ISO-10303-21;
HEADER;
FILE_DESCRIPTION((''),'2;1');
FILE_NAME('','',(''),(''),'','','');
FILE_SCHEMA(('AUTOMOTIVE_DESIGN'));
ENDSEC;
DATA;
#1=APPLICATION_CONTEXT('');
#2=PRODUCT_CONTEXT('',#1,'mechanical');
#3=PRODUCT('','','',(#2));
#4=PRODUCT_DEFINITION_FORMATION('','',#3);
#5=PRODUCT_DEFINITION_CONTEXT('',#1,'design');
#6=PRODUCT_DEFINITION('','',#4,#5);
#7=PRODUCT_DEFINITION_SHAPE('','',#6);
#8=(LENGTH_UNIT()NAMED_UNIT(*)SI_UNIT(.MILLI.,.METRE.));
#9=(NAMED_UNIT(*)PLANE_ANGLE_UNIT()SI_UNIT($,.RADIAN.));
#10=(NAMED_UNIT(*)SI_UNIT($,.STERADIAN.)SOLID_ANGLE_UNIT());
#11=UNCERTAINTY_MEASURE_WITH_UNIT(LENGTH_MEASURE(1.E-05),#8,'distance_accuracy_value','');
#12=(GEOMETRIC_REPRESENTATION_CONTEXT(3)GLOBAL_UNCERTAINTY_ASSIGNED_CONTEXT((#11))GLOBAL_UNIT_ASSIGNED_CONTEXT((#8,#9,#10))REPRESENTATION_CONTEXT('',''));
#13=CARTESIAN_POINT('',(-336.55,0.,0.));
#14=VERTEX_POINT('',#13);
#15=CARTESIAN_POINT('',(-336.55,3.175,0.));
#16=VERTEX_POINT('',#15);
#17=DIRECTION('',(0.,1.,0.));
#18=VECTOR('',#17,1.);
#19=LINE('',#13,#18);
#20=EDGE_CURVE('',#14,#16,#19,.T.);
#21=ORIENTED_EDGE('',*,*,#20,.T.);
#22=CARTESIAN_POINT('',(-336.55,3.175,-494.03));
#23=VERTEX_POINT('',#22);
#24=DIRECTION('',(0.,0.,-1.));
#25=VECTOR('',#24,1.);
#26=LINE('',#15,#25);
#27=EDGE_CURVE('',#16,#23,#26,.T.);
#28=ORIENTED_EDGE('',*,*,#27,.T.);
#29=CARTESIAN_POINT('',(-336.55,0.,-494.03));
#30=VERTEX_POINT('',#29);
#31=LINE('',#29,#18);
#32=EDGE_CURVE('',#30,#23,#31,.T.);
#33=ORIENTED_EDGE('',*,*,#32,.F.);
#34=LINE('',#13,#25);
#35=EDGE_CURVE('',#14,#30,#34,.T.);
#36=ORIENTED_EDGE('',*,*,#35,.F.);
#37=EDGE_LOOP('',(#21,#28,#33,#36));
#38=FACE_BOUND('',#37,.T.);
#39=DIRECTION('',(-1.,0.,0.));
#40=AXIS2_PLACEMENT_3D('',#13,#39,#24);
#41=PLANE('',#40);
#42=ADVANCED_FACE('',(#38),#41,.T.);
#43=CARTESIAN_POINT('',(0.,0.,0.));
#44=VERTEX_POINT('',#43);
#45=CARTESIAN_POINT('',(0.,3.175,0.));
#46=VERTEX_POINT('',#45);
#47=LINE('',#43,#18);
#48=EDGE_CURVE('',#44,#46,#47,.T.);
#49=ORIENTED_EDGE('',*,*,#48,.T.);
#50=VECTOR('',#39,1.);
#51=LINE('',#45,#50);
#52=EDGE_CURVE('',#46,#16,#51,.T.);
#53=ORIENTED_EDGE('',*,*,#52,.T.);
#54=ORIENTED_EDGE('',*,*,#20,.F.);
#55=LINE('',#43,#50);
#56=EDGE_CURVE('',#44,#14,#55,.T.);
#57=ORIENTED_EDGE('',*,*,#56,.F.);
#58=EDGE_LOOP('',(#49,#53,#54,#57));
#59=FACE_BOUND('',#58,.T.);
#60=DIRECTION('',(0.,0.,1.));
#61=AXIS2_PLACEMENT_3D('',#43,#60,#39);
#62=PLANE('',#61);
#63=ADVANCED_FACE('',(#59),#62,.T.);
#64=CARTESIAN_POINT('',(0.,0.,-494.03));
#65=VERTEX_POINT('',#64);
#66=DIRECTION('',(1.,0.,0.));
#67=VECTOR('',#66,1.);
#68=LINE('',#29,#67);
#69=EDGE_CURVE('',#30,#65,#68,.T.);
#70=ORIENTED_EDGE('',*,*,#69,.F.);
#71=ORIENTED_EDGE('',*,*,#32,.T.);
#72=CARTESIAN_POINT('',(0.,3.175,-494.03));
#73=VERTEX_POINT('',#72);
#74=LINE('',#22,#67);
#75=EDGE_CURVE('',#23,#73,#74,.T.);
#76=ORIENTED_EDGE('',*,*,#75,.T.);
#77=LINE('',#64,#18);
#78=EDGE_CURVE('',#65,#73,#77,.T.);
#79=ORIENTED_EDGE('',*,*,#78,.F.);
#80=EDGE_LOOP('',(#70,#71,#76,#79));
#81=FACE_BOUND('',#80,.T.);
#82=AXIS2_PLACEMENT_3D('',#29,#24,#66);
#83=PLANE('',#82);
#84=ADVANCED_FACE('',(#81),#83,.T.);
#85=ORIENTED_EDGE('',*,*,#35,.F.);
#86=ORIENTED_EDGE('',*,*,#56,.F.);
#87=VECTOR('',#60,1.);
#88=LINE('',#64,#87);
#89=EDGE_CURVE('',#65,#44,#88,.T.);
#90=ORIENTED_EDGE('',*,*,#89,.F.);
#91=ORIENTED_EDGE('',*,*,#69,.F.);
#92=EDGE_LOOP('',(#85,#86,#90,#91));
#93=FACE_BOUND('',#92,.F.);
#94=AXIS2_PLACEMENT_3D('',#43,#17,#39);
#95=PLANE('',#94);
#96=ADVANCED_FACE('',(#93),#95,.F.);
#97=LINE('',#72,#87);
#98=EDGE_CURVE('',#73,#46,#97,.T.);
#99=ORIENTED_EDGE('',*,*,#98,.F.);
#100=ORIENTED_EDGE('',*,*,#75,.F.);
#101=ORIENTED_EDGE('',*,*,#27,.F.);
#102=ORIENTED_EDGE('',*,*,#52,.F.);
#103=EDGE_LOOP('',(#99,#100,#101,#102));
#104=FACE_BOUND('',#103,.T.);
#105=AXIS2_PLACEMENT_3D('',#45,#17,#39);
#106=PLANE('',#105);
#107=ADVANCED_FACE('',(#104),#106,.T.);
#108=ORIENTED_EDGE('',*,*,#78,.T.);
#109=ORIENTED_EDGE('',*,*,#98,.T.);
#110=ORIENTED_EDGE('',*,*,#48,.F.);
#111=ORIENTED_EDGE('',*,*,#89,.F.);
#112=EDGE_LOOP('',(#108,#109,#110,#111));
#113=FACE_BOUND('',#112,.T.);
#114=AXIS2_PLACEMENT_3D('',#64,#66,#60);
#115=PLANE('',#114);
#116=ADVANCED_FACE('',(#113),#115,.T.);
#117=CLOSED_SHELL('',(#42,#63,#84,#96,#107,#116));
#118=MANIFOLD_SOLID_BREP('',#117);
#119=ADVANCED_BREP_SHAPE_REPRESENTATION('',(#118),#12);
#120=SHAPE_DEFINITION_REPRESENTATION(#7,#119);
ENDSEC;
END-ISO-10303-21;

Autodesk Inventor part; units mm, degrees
ref_plane "YZ Plane" through (0, 0, 0) normal (1, 0, 0) x (0, 1, 0)
ref_plane "XZ Plane" through (0, 0, 0) normal (0, 1, 0) x (-1, 0, 0)
ref_plane "XY Plane" through (0, 0, 0) normal (0, 0, 1) x (1, 0, 0)
sketch "Sketch1" plane through (0, 0, 0) normal (0, 1, 0) x (-1, 0, 0)
  line L0 (0, 0) -> (336.55, 0)
  line L1 (336.55, 0) -> (336.55, -494.03)
  line L2 (336.55, -494.03) -> (0, -494.03)
  line L3 (0, -494.03) -> (0, 0)
  dimension "d0" = 336.55
  dimension "d1" = 494.03
extrude "Extrusion1" add sketch "Sketch1" along normal blind 3.175
properties part number "Shingle_With_Dimensions_13.25_x_19.45_Inches"
